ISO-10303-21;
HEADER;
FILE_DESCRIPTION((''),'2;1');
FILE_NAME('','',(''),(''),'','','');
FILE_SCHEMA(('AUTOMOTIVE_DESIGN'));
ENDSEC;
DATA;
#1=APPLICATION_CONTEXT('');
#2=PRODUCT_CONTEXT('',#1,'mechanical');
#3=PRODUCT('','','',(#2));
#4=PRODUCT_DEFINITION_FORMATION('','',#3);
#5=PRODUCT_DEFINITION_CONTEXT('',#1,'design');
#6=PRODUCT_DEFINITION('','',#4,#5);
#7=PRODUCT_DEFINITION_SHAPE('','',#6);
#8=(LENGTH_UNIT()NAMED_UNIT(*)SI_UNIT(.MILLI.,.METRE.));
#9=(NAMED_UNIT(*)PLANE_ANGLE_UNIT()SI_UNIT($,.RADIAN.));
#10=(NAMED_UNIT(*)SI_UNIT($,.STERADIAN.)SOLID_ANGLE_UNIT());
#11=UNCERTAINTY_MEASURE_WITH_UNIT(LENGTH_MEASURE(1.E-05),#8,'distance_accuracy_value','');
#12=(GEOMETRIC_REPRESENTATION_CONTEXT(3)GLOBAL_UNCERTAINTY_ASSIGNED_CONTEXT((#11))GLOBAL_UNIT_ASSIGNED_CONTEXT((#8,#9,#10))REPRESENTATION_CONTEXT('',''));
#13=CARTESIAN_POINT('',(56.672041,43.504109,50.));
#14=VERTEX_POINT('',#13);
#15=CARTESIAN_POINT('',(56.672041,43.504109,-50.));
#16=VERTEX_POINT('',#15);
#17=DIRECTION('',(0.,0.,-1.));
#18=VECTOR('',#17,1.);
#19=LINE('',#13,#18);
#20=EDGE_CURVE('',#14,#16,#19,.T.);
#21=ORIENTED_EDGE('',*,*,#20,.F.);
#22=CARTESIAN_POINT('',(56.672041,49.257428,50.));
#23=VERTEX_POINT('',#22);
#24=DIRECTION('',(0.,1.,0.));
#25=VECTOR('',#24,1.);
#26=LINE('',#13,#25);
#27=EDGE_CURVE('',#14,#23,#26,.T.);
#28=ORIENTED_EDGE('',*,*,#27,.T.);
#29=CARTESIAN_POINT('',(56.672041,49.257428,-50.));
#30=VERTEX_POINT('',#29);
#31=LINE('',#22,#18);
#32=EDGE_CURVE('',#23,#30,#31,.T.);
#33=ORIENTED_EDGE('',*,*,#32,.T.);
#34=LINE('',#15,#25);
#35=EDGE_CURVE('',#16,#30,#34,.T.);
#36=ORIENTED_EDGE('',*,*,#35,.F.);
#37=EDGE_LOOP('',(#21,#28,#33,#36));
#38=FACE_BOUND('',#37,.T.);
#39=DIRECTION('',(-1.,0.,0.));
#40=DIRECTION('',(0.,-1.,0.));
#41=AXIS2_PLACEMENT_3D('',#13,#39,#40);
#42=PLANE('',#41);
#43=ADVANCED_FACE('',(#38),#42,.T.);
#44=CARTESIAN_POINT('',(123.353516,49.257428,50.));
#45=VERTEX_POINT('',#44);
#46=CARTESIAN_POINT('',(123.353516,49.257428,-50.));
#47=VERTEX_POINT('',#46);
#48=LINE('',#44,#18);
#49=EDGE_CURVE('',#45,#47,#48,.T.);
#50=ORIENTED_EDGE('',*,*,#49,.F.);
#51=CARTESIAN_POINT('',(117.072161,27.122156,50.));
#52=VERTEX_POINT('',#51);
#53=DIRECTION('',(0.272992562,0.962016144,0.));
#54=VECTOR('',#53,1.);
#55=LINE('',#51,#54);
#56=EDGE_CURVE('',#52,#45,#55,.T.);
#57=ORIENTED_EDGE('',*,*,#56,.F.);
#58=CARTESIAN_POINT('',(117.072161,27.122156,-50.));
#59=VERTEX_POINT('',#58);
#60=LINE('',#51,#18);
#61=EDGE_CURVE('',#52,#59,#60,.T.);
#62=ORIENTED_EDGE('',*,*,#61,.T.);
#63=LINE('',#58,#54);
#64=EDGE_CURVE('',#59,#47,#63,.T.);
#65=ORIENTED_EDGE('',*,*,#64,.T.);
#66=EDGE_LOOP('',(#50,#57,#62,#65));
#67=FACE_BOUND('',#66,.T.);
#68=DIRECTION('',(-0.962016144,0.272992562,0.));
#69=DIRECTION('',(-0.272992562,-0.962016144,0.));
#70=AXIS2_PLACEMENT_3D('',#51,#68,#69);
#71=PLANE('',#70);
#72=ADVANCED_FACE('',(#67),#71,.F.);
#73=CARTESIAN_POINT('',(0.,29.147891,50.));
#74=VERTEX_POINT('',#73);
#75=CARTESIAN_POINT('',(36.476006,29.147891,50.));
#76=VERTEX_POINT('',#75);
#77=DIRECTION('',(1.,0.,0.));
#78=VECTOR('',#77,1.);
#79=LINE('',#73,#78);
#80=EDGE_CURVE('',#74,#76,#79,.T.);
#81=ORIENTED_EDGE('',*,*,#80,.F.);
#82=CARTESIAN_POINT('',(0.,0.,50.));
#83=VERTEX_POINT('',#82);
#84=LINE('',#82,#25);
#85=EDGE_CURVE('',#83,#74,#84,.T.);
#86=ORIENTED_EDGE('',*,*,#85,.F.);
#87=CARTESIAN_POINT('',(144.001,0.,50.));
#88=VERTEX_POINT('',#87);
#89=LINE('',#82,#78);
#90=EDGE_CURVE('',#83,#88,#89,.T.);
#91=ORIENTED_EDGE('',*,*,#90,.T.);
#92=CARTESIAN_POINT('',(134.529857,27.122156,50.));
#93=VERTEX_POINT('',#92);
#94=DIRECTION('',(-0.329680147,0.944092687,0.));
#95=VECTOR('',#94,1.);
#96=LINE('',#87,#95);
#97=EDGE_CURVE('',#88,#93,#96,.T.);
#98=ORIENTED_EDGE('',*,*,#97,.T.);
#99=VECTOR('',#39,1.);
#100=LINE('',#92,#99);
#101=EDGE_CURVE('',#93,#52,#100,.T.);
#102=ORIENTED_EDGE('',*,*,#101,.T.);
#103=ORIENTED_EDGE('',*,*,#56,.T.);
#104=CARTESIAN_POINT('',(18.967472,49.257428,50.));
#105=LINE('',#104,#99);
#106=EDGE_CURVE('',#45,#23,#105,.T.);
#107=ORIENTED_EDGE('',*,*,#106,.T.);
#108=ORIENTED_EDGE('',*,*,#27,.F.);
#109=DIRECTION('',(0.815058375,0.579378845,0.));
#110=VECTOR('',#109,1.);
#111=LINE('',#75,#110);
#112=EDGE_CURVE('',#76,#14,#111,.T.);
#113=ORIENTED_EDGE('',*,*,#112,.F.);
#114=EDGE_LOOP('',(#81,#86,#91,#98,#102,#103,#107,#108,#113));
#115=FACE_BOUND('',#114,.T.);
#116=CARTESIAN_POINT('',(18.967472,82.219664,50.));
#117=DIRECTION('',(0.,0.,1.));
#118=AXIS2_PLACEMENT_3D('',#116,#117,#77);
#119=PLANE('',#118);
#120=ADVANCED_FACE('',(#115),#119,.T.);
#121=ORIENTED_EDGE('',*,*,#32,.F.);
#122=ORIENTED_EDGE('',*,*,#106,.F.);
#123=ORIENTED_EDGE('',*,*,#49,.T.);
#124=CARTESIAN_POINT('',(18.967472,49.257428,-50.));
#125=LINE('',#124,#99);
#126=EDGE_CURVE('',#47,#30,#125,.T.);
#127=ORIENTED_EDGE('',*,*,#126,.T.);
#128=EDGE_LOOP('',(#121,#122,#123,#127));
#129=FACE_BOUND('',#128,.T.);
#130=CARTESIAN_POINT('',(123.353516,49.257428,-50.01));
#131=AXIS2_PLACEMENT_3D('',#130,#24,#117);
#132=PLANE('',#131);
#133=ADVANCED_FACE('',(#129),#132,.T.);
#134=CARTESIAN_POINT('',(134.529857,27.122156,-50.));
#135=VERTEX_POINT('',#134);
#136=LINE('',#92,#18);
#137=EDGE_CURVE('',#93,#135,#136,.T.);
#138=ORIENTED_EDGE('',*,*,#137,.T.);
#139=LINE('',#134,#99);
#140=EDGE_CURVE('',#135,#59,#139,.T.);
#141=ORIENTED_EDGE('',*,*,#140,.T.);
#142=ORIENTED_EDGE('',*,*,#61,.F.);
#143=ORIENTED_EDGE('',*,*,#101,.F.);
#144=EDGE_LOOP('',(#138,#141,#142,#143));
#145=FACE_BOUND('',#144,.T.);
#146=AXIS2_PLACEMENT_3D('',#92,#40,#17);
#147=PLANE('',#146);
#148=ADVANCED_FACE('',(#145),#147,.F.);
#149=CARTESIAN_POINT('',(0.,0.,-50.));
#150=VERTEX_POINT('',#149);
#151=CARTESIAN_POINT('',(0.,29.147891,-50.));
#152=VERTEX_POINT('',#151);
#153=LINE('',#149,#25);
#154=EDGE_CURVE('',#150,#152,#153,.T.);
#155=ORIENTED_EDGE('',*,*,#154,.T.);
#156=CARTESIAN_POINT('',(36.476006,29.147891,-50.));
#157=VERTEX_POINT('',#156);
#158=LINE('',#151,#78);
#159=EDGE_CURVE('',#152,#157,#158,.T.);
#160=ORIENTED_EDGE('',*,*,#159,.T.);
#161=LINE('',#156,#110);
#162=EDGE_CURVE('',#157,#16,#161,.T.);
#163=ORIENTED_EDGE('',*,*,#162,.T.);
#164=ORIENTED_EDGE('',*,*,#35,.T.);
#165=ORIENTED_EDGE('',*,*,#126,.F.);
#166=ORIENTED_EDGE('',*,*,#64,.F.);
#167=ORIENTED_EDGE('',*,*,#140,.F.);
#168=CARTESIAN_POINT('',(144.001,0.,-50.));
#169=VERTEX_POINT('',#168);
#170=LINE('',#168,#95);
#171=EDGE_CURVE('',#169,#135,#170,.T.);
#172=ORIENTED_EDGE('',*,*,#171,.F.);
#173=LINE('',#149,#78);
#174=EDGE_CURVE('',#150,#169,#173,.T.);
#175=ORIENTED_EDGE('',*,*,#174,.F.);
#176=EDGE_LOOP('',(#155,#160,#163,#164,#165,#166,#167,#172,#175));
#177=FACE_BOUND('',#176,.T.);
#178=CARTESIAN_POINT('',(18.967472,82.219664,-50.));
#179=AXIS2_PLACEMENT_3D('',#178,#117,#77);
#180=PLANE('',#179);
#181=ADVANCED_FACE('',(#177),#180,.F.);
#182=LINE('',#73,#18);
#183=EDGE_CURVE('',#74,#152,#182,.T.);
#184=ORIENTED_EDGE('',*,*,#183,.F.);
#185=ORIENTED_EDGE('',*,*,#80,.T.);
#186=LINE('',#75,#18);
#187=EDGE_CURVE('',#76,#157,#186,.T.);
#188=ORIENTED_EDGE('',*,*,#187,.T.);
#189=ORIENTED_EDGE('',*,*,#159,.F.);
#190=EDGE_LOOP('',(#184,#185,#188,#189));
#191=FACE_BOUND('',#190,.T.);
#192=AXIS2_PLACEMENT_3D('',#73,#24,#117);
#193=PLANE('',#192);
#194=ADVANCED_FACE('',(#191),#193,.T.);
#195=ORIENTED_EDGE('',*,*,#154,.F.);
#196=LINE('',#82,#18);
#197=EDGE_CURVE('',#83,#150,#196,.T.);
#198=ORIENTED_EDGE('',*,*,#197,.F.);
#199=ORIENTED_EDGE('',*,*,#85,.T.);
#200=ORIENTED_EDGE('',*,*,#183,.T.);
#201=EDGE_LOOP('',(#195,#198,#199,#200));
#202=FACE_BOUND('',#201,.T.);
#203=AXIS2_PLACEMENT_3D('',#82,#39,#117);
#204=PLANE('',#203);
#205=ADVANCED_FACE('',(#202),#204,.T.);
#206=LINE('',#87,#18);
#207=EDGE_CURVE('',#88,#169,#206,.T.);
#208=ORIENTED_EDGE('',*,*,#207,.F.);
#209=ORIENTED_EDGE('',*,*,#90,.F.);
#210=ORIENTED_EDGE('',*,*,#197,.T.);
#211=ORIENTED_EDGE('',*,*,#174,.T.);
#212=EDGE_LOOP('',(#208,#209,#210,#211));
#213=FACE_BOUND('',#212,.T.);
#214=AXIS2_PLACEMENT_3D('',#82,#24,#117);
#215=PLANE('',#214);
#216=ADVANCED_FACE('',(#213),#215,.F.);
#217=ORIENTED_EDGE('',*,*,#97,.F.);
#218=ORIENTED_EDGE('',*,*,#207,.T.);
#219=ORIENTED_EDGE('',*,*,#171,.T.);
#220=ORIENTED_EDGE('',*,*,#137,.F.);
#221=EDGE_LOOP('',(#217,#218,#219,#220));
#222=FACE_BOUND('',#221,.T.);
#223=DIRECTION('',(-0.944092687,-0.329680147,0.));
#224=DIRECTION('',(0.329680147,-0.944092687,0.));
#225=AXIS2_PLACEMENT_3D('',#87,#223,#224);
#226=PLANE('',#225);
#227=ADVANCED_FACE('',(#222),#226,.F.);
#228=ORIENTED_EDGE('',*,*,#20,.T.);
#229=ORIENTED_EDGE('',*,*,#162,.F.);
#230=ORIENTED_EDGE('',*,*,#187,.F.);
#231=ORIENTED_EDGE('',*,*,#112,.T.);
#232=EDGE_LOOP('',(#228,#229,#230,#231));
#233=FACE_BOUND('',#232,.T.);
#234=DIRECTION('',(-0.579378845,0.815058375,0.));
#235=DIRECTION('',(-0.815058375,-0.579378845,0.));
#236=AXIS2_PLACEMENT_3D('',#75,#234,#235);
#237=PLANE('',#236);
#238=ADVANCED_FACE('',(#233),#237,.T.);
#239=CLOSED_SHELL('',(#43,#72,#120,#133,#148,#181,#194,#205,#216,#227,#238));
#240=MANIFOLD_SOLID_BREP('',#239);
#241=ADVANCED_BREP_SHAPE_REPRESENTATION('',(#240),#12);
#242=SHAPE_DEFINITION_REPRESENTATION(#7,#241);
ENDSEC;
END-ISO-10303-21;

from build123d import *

# Parameters (mm, degrees)
SKETCH_1_R                     = 27.218239916
EXTRUDE_1_DEPTH                = 50
SPLIT_BODIES_1_SURFACE_1_BACK  = 231.852
SPLIT_BODIES_1_SURFACE_1_DEPTH = 463.704
SPLIT_BODIES_1_SURFACE_2_BACK  = 231.852
SPLIT_BODIES_1_SURFACE_2_DEPTH = 463.704


with BuildPart() as part:
    # 草图1 → 凸台-拉伸1 (new, symmetric)
    with BuildSketch(Plane.XY):
        with Locations((126.841, 106.1775)):
            Circle(SKETCH_1_R)
        with BuildLine():
            Line((36.476006197, 29.147891414), (56.67204093, 43.504108875))
            Line((56.67204093, 43.504108875), (56.67204093, 93.307484045))
            Line((56.67204093, 93.307484045), (92.496172884, 93.307484045))
            ThreePointArc((92.496172884, 93.307484045), (88.507151815, 108.556758389), (81.393508143, 122.622629526))
            ThreePointArc((81.393508143, 122.622629526), (81.328816917, 131.844883349), (89.661, 135.798220622))
            Line((89.661, 135.798220622), (152.57565846, 127.931864381))
            ThreePointArc((152.57565846, 127.931864381), (156.589044848, 125.482703859), (157.411382406, 120.853511867))
            Line((157.411382406, 120.853511867), (139.303205185, 49.257428232))
            Line((139.303205185, 49.257428232), (123.353516134, 49.257428232))
            Line((123.353516134, 49.257428232), (117.072161438, 27.122156161))
            Line((117.072161438, 27.122156161), (134.529857437, 27.122156161))
            Line((134.529857437, 27.122156161), (144.001, 0))
            Line((144.001, 0), (0, 0))
            Line((0, 0), (0, 29.147891414))
            Line((0, 29.147891414), (36.476006197, 29.147891414))
        make_face()
    extrude(amount=EXTRUDE_1_DEPTH, both=True)


with BuildPart() as body_2:
    # Split Bodies 1: the piece behind the surface
    add(part.part)
    # Split Bodies 1 surface: a surface, the sketch's curves swept straight by 463.704 mm
    with BuildLine(Plane.XY.offset(50).offset(-SPLIT_BODIES_1_SURFACE_1_BACK), mode=Mode.PRIVATE) as split_bodies_1_surface_1_path:
        Line((123.353516134, 49.257428232), (56.67204093, 49.257428232))
    split_bodies_1_surface_1 = Shell.extrude(split_bodies_1_surface_1_path.wire(), (0 * SPLIT_BODIES_1_SURFACE_1_DEPTH, 0 * SPLIT_BODIES_1_SURFACE_1_DEPTH, 1 * SPLIT_BODIES_1_SURFACE_1_DEPTH))
    split(bisect_by=split_bodies_1_surface_1, keep=Keep.BOTTOM)


with BuildPart() as part_1:
    add(part.part)

    # Split Bodies 1: split by a surface, the side it looks to stays
    # Split Bodies 1 surface: a surface, the sketch's curves swept straight by 463.704 mm
    with BuildLine(Plane.XY.offset(50).offset(-SPLIT_BODIES_1_SURFACE_2_BACK), mode=Mode.PRIVATE) as split_bodies_1_surface_2_path:
        Line((123.353516134, 49.257428232), (56.67204093, 49.257428232))
    split_bodies_1_surface_2 = Shell.extrude(split_bodies_1_surface_2_path.wire(), (0 * SPLIT_BODIES_1_SURFACE_2_DEPTH, 0 * SPLIT_BODIES_1_SURFACE_2_DEPTH, 1 * SPLIT_BODIES_1_SURFACE_2_DEPTH))
    split(bisect_by=split_bodies_1_surface_2, keep=Keep.TOP)


solid = part_1.part
